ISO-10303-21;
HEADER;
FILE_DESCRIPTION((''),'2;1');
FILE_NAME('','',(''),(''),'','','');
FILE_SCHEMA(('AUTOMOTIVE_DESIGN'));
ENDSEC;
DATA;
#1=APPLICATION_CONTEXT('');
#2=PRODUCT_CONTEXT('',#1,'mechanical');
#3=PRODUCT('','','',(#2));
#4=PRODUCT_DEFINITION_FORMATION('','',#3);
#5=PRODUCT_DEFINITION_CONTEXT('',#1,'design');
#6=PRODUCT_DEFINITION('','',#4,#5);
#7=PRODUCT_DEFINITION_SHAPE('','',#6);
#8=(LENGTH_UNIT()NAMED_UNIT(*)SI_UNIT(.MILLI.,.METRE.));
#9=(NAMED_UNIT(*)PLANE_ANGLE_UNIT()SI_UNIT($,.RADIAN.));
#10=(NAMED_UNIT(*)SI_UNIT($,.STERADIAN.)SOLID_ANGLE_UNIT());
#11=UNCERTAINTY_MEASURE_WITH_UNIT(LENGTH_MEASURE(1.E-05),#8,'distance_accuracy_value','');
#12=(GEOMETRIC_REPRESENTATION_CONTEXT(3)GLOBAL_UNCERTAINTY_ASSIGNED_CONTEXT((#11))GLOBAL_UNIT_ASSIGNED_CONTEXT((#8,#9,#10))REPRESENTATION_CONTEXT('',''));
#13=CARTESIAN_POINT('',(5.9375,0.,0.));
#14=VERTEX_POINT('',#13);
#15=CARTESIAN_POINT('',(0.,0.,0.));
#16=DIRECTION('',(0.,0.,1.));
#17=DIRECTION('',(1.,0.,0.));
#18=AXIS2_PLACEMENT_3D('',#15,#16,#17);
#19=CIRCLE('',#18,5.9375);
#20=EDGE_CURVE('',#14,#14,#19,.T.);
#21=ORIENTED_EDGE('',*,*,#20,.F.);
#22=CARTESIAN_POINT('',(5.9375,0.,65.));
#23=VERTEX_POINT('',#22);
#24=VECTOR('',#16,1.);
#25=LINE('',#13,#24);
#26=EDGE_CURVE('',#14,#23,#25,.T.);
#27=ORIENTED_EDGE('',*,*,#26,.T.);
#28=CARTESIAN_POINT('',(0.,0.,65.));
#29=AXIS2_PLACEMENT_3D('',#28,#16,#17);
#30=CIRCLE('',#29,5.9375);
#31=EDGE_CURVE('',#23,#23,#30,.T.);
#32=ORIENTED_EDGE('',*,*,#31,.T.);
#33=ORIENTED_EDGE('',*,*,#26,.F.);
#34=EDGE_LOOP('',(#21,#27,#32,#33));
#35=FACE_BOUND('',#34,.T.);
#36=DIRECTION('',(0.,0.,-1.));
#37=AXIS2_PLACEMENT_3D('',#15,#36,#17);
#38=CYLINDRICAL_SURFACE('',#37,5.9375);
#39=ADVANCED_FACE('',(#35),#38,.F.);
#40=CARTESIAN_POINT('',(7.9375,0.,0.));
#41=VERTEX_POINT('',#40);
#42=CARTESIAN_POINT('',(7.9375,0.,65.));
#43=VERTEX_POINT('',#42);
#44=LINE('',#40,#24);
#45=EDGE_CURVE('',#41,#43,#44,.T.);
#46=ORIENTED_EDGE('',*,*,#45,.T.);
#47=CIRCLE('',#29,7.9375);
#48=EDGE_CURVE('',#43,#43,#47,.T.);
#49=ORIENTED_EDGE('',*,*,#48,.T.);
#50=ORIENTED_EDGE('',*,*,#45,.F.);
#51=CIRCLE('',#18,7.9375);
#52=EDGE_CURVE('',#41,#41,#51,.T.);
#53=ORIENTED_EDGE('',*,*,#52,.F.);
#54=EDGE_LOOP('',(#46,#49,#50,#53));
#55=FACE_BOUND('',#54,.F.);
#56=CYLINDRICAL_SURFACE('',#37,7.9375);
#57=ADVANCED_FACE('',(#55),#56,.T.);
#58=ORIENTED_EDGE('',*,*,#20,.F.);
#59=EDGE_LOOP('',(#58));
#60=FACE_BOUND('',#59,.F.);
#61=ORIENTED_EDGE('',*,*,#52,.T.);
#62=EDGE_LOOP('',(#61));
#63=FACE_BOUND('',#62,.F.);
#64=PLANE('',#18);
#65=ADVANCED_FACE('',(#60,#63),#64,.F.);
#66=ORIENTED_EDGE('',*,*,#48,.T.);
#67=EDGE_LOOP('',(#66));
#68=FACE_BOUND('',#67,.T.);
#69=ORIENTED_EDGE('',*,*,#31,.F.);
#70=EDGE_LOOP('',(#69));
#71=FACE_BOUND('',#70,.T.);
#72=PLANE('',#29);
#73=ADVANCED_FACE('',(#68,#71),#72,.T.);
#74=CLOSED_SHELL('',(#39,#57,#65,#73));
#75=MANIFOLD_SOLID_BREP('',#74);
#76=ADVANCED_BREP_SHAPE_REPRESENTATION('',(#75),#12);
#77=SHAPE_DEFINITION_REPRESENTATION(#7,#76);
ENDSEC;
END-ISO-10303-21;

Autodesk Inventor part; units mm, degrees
ref_plane "YZ Plane" through (0, 0, 0) normal (1, 0, 0) x (0, 1, 0)
ref_plane "XZ Plane" through (0, 0, 0) normal (0, 1, 0) x (-1, 0, 0)
ref_plane "XY Plane" through (0, 0, 0) normal (0, 0, 1) x (1, 0, 0)
sketch "Sketch1" plane through (0, 0, 0) normal (0, 0, 1) x (1, 0, 0)
  circle A0 centre (0, 0) radius 7.9375
  circle A1 centre (0, 0) radius 5.9375
  dimension "d0" = 15.875
  dimension "d1" = 2
extrude "Extrusion1" add sketch "Sketch1" along normal blind 65
properties part number "Spacer"
